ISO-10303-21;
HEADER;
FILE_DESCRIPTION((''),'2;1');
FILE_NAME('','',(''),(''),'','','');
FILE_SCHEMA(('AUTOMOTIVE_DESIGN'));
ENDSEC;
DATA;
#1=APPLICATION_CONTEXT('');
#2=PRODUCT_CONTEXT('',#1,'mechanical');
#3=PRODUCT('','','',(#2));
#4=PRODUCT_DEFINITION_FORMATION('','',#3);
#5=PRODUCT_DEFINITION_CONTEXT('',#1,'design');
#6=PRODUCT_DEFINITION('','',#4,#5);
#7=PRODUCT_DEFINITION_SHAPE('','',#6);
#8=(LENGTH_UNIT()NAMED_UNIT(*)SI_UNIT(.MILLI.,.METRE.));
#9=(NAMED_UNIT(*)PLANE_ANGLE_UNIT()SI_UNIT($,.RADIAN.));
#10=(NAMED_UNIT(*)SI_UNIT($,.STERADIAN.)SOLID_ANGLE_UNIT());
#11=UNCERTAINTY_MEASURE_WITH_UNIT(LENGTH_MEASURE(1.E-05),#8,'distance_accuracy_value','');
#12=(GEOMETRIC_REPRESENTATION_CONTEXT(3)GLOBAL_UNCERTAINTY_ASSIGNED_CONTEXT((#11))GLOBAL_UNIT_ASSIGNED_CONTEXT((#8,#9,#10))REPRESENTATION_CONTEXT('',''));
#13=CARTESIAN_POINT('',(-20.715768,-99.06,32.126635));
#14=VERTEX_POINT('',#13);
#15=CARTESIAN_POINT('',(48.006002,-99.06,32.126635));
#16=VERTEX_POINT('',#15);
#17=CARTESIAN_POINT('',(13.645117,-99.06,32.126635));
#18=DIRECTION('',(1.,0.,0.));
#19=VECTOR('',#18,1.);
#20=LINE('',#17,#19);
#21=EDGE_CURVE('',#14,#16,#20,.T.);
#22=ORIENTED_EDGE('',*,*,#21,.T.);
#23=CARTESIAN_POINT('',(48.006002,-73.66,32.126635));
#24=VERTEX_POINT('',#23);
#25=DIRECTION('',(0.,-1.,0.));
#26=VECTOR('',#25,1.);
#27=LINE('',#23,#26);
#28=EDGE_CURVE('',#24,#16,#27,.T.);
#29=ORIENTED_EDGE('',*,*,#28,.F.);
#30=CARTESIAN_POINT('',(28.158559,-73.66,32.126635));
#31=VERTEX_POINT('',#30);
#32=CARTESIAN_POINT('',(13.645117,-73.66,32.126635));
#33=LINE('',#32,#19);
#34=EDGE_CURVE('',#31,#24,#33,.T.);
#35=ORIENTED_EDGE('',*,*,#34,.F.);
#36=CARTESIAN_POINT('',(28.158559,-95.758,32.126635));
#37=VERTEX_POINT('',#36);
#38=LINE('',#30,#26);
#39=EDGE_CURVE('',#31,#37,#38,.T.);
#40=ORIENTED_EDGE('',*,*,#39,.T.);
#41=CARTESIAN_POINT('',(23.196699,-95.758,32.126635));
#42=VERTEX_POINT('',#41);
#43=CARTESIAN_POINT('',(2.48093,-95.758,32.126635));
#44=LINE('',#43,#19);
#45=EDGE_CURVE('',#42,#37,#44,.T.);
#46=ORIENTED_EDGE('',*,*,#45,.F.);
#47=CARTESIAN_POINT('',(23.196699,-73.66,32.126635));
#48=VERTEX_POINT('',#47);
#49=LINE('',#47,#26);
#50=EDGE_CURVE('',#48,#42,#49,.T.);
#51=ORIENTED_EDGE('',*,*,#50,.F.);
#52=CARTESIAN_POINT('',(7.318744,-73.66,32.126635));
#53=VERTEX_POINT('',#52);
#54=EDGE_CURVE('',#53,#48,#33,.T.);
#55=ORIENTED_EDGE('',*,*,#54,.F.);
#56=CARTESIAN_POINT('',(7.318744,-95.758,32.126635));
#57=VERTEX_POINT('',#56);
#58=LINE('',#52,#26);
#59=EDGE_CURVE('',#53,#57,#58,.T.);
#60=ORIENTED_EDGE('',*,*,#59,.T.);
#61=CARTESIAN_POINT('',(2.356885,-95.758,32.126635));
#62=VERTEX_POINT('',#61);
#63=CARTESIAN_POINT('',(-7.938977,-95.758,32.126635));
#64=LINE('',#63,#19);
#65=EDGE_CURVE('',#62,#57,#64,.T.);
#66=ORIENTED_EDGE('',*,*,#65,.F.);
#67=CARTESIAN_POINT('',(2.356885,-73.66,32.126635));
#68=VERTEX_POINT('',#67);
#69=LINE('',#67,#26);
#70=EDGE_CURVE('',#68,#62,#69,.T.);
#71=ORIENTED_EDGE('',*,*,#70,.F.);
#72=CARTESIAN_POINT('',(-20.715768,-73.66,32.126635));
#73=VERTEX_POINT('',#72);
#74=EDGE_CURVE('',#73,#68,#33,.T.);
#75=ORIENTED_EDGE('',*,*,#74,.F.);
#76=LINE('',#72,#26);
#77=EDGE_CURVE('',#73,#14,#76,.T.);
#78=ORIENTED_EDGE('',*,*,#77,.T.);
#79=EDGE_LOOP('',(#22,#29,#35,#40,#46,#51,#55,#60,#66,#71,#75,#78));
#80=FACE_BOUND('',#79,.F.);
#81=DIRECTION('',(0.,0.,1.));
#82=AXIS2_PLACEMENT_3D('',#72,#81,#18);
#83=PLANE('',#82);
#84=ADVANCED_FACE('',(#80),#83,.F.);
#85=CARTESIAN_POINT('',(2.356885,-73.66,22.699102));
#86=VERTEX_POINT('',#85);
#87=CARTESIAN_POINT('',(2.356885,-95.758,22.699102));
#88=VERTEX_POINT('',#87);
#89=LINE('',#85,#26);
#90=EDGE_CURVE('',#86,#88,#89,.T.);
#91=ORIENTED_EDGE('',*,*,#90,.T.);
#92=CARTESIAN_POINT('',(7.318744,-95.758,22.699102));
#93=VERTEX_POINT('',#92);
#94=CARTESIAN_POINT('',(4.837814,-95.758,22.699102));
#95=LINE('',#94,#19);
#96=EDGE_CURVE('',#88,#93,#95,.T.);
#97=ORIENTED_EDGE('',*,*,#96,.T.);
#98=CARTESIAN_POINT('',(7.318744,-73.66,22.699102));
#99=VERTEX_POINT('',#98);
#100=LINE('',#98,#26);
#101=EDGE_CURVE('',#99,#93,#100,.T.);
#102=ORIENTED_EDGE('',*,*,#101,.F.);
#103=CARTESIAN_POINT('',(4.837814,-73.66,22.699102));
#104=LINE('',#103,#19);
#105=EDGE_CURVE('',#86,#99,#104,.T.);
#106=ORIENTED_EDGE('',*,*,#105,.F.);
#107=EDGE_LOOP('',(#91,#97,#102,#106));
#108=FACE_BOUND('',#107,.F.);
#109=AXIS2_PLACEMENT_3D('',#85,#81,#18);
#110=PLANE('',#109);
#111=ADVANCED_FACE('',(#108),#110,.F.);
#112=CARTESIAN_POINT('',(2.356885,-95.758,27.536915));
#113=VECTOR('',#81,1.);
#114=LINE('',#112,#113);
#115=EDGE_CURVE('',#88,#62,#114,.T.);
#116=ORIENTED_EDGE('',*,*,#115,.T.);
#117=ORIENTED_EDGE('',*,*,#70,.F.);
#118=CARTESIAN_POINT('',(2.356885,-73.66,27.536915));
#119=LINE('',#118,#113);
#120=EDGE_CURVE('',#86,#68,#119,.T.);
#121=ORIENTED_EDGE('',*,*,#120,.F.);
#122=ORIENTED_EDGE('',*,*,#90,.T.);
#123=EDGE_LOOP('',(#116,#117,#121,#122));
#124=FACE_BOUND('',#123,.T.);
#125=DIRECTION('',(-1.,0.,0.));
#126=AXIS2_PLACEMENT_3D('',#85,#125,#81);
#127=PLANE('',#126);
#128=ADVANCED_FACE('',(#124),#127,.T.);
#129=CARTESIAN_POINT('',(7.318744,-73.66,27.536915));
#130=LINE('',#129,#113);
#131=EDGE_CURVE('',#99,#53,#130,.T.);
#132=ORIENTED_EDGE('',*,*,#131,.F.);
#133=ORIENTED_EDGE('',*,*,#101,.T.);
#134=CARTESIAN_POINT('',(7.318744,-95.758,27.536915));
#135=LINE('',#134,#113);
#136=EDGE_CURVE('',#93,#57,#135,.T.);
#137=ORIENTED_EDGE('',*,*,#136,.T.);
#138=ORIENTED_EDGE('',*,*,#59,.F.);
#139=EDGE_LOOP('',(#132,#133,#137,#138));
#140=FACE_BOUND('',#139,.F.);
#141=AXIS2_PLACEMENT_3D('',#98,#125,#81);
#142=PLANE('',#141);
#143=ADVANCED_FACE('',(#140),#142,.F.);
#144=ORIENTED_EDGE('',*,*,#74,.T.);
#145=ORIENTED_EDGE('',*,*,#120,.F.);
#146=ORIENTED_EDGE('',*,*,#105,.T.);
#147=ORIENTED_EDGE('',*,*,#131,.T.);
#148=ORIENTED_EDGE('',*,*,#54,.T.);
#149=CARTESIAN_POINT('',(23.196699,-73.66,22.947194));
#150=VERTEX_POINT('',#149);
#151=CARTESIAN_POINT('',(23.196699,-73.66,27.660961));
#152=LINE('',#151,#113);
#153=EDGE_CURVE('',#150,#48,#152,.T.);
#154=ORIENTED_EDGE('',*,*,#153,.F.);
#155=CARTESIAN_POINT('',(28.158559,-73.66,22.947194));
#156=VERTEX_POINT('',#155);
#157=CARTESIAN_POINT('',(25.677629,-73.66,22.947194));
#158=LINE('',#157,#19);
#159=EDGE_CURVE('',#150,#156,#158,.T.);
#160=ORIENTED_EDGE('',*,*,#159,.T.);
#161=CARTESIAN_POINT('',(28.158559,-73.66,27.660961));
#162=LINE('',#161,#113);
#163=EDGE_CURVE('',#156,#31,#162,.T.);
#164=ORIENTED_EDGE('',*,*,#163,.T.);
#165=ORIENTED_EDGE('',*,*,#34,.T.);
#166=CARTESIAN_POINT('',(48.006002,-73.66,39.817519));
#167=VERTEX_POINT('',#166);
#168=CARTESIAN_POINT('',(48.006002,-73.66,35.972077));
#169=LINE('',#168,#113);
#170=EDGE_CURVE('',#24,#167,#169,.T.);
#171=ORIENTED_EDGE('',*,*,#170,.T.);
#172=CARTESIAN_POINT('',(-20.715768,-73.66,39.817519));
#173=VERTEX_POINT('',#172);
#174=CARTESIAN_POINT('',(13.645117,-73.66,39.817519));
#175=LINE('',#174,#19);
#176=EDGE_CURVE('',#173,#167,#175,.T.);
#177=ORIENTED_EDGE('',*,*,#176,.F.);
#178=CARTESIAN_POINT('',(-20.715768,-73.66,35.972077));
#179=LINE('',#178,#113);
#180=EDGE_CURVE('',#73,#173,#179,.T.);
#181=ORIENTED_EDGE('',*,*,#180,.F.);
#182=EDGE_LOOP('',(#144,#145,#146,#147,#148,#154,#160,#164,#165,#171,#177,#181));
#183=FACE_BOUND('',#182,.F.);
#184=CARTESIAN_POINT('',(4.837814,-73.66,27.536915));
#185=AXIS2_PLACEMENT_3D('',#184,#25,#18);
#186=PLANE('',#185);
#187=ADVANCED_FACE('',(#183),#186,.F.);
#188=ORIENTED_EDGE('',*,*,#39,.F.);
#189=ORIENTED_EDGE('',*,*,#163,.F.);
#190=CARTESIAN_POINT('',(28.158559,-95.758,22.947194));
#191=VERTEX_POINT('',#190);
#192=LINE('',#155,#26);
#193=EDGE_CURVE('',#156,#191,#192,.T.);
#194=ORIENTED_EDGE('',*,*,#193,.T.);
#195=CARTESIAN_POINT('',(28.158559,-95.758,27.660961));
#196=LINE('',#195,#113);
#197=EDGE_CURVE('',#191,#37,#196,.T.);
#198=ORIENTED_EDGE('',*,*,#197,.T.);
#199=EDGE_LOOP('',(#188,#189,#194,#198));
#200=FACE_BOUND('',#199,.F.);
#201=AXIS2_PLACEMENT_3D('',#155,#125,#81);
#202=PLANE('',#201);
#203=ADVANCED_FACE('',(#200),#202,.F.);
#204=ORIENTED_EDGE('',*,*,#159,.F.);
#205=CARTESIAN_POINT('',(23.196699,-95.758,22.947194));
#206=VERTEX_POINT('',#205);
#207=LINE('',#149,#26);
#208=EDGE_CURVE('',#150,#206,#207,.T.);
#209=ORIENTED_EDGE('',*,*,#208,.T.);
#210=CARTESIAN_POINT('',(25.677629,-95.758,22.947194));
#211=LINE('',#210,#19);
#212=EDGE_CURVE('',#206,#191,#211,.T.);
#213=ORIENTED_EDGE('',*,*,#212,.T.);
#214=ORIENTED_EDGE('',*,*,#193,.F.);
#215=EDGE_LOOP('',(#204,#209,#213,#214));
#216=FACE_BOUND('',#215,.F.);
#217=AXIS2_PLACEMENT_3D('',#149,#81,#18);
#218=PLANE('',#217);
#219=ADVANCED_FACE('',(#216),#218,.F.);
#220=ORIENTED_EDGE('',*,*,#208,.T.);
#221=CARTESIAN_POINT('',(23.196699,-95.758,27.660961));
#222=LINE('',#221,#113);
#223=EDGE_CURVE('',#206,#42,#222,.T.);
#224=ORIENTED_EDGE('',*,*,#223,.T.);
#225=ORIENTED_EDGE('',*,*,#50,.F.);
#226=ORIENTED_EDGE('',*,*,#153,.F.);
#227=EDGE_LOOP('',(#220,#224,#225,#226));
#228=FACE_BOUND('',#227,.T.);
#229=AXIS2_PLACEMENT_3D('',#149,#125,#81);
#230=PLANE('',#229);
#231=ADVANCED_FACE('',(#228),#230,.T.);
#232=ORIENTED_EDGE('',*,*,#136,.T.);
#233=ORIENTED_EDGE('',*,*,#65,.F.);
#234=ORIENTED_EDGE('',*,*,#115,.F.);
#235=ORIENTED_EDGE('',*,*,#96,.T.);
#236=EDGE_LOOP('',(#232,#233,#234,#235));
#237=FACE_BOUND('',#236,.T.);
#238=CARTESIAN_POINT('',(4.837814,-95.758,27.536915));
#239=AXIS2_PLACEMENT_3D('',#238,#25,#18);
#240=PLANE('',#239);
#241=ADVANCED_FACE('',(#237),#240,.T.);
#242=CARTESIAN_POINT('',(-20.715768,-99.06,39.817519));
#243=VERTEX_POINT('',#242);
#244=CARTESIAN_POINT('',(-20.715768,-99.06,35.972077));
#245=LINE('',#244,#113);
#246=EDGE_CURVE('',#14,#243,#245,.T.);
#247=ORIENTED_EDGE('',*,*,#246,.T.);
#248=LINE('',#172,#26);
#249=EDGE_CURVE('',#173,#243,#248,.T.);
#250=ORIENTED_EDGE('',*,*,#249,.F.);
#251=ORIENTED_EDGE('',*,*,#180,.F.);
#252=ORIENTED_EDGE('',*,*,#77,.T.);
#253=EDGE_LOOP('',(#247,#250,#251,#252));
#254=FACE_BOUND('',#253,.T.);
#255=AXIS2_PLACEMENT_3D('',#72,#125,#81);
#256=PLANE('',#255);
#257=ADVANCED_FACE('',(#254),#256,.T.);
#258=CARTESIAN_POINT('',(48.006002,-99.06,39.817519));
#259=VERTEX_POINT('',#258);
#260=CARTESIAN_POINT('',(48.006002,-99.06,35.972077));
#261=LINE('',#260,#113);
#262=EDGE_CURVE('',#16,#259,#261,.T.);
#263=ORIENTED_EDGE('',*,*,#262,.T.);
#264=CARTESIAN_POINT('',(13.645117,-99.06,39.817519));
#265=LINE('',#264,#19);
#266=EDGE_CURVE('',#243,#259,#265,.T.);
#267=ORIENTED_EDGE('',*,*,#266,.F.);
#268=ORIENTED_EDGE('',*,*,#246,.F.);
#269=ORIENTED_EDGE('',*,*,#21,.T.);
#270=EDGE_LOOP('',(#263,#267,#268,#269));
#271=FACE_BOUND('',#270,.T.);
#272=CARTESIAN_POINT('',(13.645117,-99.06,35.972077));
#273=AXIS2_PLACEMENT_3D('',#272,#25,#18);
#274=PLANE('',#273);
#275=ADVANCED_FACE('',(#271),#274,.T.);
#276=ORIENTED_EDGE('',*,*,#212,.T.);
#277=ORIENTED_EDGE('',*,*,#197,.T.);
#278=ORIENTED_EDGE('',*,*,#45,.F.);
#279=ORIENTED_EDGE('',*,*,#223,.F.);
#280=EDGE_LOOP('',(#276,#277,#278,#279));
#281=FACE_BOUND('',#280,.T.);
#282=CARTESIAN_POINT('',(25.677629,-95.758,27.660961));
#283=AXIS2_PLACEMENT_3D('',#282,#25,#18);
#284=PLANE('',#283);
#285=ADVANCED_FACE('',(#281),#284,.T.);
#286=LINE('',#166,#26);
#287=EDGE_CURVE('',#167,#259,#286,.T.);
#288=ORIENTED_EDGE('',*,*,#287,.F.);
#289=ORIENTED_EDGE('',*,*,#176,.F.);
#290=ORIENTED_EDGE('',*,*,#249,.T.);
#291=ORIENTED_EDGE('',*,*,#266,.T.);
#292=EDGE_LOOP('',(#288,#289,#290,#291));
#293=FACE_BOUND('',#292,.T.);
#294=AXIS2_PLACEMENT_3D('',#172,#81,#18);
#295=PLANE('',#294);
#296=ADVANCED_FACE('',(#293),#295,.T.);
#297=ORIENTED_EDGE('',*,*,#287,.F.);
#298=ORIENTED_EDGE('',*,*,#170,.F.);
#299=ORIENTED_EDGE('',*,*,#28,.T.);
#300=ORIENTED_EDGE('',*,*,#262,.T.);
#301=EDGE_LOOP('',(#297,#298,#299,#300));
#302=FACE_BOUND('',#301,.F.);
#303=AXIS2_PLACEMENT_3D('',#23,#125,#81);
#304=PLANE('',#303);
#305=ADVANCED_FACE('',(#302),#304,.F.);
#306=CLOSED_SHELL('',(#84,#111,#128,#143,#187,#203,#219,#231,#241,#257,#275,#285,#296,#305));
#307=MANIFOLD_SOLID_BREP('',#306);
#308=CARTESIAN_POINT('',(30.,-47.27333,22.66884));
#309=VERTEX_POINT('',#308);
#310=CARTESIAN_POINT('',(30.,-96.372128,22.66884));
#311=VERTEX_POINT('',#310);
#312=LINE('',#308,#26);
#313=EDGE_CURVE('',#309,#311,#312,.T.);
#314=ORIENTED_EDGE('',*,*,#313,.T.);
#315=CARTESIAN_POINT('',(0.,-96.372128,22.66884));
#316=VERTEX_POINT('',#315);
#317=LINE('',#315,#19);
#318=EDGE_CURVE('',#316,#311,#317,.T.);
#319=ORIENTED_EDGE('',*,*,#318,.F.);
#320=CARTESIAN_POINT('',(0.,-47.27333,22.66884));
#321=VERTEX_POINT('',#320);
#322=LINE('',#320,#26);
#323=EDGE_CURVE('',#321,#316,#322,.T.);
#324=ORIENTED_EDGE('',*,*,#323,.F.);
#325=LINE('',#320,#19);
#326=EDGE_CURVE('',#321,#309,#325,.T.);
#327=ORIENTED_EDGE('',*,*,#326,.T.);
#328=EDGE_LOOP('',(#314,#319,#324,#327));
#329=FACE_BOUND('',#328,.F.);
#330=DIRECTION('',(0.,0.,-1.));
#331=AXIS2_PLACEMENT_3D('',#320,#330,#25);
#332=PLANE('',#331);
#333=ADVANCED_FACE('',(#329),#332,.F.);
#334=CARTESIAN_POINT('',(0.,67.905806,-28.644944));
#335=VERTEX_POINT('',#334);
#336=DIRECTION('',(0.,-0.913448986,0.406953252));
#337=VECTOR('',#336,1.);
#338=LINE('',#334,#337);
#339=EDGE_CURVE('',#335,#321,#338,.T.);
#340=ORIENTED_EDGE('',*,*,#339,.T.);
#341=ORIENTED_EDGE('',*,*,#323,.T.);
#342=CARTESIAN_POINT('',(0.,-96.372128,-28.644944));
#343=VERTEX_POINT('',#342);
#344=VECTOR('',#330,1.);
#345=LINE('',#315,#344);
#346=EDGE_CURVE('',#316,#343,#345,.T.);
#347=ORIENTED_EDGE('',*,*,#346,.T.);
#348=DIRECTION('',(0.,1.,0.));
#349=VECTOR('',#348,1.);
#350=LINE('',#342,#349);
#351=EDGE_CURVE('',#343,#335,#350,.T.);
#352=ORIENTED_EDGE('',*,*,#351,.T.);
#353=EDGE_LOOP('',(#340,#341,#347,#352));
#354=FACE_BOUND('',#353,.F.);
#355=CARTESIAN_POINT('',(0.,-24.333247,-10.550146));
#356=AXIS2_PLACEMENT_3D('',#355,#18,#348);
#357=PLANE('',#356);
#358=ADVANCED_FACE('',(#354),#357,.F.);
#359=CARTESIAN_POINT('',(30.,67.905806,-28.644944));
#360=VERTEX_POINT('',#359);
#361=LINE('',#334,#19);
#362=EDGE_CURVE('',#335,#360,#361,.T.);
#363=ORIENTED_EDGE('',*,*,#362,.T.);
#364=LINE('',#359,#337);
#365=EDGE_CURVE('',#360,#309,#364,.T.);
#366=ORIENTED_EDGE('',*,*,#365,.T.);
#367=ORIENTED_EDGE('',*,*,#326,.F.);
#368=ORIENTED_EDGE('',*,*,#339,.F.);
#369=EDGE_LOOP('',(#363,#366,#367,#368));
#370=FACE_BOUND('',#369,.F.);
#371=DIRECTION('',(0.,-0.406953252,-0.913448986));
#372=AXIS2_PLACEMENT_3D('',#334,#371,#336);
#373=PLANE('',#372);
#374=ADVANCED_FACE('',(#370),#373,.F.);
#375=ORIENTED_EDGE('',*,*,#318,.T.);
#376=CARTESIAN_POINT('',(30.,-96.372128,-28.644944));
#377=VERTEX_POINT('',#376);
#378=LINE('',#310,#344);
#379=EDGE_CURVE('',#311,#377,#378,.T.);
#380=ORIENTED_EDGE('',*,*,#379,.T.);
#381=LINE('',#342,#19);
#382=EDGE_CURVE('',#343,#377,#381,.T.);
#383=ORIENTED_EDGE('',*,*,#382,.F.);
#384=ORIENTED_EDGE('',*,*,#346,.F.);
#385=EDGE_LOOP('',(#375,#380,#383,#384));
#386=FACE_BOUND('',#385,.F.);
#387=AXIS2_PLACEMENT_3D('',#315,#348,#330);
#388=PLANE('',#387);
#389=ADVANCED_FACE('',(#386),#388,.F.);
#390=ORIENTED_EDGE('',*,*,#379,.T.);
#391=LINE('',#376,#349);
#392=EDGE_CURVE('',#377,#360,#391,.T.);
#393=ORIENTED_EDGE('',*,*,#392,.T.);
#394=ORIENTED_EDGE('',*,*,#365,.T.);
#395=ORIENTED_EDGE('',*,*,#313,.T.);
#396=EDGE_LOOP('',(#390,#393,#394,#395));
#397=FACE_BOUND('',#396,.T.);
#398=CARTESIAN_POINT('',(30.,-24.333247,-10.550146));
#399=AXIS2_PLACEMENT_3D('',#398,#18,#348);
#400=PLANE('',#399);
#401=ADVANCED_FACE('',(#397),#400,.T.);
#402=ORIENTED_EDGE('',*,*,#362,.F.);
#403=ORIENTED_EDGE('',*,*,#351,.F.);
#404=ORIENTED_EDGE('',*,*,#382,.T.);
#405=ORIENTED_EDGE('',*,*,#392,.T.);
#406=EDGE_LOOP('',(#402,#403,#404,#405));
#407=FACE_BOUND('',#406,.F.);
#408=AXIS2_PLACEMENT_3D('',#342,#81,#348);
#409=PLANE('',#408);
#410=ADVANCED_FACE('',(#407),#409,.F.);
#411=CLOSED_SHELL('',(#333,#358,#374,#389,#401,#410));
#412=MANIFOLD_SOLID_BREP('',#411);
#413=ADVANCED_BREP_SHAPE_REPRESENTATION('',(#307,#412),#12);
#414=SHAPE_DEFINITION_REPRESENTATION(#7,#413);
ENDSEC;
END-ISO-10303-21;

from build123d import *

# Parameters (mm, degrees)
F1_DEPTH = 30
F3_W     = 68.72177
F3_H     = 7.690884
F4_DEPTH = 25.4
F5_W     = 4.961859
F5_H     = 9.675625
F5_W_2   = 4.96186
F5_H_2   = 9.427534
F6_DEPTH = 22.098


with BuildPart() as f1:
    # F0 (on Right) → F1 (new body)
    with BuildSketch(Plane.YZ):
        Polygon((-47.27333, 22.66884), (-96.372128, 22.66884), (-96.372128, -28.644944), (67.905806, -28.644944), align=None)
    extrude(amount=F1_DEPTH)


with BuildPart() as f4:
    # F3 (on offset) → F4 (new body)
    with BuildSketch(Plane.XZ.offset(73.66)):
        with Locations((13.645117, 35.972077)):
            Rectangle(F3_W, F3_H)
    extrude(amount=F4_DEPTH)

    # F5 (on offset) → F6 (join)
    with BuildSketch(Plane.XZ.offset(73.66)):
        with Locations((4.837814, 27.536915)):
            Rectangle(F5_W, F5_H)
        with Locations((25.677629, 27.660961)):
            Rectangle(F5_W_2, F5_H_2)
    extrude(amount=F6_DEPTH)


solid = Compound([f1.part, f4.part])
